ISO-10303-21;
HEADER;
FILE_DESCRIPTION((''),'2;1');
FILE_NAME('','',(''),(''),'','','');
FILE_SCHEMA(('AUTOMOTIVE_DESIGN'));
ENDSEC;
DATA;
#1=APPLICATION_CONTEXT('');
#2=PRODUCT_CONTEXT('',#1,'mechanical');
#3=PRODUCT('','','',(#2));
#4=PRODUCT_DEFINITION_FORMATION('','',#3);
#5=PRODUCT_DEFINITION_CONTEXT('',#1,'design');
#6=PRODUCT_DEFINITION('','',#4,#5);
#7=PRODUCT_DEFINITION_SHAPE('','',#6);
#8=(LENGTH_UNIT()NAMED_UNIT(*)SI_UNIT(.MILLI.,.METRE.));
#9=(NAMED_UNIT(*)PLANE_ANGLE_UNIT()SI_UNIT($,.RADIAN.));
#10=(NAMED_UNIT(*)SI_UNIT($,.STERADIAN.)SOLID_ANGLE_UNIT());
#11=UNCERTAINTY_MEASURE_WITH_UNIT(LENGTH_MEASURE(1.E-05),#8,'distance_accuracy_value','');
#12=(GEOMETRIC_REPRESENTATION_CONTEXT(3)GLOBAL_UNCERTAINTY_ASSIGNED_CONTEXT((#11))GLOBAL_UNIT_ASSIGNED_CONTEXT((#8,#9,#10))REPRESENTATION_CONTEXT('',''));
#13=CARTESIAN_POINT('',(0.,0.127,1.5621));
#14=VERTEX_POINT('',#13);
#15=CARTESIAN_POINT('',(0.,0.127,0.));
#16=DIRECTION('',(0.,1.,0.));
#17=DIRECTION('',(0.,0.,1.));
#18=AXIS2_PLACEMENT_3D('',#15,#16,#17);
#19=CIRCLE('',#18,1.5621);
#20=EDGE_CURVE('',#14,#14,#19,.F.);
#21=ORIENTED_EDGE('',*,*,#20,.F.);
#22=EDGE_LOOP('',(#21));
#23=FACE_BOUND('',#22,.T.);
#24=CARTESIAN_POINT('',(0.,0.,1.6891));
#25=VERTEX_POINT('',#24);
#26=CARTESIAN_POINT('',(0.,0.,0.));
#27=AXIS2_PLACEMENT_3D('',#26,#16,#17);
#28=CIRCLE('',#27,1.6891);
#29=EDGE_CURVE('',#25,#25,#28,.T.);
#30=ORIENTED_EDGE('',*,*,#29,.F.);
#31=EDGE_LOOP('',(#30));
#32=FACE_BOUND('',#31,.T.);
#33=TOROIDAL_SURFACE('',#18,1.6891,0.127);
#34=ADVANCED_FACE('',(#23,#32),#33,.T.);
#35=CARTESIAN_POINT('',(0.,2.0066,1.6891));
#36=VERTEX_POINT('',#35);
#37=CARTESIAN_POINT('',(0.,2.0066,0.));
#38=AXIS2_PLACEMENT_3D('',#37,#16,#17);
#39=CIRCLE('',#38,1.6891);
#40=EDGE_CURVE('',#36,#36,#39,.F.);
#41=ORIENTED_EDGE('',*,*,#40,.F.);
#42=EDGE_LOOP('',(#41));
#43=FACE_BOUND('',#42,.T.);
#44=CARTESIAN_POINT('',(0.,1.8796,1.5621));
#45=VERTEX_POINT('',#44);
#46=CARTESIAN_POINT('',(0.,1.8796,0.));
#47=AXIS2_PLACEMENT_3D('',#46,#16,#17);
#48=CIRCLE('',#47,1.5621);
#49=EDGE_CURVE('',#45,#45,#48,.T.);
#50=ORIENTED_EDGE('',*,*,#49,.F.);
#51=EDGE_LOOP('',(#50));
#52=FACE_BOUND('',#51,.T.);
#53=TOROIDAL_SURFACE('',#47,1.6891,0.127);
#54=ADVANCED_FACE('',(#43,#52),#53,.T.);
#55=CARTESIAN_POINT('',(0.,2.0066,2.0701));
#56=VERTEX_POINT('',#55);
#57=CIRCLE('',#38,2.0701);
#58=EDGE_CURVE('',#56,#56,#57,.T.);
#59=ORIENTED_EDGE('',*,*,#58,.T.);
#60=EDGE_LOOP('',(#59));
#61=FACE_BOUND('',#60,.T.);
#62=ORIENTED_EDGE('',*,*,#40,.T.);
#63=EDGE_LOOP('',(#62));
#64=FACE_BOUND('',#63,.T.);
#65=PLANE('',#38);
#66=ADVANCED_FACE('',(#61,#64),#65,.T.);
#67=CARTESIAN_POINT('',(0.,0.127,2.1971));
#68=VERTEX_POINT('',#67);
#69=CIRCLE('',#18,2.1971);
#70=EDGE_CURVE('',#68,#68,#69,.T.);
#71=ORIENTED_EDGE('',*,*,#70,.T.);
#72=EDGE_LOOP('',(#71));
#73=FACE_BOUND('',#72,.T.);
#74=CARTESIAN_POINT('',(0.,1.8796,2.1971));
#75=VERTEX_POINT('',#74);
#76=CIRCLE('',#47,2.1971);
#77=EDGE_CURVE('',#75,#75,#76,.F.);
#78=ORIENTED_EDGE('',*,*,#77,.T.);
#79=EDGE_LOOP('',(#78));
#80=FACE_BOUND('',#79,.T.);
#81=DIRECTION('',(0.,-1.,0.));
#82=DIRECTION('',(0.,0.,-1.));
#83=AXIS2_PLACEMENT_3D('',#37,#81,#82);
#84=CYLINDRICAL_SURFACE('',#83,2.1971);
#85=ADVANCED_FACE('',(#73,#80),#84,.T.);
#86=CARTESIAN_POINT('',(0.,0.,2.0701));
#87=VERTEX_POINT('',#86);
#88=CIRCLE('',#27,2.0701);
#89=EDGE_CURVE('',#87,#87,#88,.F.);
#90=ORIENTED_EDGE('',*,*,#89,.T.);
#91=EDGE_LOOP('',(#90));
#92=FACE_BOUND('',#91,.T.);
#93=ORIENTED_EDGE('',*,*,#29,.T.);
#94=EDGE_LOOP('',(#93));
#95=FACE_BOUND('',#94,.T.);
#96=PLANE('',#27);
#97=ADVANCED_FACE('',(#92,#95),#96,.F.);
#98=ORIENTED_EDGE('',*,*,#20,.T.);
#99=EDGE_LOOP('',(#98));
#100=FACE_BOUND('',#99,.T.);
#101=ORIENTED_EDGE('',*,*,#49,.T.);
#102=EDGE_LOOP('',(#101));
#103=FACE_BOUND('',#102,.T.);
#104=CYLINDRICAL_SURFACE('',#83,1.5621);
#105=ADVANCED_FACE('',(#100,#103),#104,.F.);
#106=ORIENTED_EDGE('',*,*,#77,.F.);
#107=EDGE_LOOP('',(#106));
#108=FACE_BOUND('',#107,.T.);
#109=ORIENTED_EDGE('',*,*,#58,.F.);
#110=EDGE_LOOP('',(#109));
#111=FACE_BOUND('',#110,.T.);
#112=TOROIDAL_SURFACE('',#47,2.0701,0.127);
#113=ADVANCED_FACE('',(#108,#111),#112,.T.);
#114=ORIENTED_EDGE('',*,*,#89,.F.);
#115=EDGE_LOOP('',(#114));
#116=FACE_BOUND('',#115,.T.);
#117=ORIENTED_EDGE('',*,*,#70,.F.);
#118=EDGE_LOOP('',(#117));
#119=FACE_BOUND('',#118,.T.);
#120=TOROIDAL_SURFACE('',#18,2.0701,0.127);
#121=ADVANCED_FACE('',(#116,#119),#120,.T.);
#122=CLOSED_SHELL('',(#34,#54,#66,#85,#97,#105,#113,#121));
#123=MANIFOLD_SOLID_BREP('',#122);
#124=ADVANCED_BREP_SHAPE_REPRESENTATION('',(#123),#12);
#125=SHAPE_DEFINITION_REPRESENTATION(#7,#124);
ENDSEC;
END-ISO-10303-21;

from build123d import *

# Parameters (mm, degrees)
SKETCH1_R           = 2.1971
SKETCH1_R_2         = 1.5621
BOSS_EXTRUDE1_DEPTH = 2.0066
FILLET1_R           = 0.127


with BuildPart() as part:
    # Sketch1 → Boss-Extrude1 (new body)
    with BuildSketch(Plane(origin=(0, 0, 0), x_dir=(1, 0, 0), z_dir=(0, 1, 0))):
        Circle(SKETCH1_R)
        Circle(SKETCH1_R_2, mode=Mode.SUBTRACT)
    extrude(amount=BOSS_EXTRUDE1_DEPTH)

    # Fillet1
    fillet1_edges = [part.edges().sort_by_distance(p)[0] for p in [
        (-2.1971, 0, 0),
        (-2.1971, 2.0066, 0),
        (-1.5621, 0, 0),
        (-1.5621, 2.0066, 0),
    ]]
    fillet(fillet1_edges, radius=FILLET1_R)


solid = part.part
